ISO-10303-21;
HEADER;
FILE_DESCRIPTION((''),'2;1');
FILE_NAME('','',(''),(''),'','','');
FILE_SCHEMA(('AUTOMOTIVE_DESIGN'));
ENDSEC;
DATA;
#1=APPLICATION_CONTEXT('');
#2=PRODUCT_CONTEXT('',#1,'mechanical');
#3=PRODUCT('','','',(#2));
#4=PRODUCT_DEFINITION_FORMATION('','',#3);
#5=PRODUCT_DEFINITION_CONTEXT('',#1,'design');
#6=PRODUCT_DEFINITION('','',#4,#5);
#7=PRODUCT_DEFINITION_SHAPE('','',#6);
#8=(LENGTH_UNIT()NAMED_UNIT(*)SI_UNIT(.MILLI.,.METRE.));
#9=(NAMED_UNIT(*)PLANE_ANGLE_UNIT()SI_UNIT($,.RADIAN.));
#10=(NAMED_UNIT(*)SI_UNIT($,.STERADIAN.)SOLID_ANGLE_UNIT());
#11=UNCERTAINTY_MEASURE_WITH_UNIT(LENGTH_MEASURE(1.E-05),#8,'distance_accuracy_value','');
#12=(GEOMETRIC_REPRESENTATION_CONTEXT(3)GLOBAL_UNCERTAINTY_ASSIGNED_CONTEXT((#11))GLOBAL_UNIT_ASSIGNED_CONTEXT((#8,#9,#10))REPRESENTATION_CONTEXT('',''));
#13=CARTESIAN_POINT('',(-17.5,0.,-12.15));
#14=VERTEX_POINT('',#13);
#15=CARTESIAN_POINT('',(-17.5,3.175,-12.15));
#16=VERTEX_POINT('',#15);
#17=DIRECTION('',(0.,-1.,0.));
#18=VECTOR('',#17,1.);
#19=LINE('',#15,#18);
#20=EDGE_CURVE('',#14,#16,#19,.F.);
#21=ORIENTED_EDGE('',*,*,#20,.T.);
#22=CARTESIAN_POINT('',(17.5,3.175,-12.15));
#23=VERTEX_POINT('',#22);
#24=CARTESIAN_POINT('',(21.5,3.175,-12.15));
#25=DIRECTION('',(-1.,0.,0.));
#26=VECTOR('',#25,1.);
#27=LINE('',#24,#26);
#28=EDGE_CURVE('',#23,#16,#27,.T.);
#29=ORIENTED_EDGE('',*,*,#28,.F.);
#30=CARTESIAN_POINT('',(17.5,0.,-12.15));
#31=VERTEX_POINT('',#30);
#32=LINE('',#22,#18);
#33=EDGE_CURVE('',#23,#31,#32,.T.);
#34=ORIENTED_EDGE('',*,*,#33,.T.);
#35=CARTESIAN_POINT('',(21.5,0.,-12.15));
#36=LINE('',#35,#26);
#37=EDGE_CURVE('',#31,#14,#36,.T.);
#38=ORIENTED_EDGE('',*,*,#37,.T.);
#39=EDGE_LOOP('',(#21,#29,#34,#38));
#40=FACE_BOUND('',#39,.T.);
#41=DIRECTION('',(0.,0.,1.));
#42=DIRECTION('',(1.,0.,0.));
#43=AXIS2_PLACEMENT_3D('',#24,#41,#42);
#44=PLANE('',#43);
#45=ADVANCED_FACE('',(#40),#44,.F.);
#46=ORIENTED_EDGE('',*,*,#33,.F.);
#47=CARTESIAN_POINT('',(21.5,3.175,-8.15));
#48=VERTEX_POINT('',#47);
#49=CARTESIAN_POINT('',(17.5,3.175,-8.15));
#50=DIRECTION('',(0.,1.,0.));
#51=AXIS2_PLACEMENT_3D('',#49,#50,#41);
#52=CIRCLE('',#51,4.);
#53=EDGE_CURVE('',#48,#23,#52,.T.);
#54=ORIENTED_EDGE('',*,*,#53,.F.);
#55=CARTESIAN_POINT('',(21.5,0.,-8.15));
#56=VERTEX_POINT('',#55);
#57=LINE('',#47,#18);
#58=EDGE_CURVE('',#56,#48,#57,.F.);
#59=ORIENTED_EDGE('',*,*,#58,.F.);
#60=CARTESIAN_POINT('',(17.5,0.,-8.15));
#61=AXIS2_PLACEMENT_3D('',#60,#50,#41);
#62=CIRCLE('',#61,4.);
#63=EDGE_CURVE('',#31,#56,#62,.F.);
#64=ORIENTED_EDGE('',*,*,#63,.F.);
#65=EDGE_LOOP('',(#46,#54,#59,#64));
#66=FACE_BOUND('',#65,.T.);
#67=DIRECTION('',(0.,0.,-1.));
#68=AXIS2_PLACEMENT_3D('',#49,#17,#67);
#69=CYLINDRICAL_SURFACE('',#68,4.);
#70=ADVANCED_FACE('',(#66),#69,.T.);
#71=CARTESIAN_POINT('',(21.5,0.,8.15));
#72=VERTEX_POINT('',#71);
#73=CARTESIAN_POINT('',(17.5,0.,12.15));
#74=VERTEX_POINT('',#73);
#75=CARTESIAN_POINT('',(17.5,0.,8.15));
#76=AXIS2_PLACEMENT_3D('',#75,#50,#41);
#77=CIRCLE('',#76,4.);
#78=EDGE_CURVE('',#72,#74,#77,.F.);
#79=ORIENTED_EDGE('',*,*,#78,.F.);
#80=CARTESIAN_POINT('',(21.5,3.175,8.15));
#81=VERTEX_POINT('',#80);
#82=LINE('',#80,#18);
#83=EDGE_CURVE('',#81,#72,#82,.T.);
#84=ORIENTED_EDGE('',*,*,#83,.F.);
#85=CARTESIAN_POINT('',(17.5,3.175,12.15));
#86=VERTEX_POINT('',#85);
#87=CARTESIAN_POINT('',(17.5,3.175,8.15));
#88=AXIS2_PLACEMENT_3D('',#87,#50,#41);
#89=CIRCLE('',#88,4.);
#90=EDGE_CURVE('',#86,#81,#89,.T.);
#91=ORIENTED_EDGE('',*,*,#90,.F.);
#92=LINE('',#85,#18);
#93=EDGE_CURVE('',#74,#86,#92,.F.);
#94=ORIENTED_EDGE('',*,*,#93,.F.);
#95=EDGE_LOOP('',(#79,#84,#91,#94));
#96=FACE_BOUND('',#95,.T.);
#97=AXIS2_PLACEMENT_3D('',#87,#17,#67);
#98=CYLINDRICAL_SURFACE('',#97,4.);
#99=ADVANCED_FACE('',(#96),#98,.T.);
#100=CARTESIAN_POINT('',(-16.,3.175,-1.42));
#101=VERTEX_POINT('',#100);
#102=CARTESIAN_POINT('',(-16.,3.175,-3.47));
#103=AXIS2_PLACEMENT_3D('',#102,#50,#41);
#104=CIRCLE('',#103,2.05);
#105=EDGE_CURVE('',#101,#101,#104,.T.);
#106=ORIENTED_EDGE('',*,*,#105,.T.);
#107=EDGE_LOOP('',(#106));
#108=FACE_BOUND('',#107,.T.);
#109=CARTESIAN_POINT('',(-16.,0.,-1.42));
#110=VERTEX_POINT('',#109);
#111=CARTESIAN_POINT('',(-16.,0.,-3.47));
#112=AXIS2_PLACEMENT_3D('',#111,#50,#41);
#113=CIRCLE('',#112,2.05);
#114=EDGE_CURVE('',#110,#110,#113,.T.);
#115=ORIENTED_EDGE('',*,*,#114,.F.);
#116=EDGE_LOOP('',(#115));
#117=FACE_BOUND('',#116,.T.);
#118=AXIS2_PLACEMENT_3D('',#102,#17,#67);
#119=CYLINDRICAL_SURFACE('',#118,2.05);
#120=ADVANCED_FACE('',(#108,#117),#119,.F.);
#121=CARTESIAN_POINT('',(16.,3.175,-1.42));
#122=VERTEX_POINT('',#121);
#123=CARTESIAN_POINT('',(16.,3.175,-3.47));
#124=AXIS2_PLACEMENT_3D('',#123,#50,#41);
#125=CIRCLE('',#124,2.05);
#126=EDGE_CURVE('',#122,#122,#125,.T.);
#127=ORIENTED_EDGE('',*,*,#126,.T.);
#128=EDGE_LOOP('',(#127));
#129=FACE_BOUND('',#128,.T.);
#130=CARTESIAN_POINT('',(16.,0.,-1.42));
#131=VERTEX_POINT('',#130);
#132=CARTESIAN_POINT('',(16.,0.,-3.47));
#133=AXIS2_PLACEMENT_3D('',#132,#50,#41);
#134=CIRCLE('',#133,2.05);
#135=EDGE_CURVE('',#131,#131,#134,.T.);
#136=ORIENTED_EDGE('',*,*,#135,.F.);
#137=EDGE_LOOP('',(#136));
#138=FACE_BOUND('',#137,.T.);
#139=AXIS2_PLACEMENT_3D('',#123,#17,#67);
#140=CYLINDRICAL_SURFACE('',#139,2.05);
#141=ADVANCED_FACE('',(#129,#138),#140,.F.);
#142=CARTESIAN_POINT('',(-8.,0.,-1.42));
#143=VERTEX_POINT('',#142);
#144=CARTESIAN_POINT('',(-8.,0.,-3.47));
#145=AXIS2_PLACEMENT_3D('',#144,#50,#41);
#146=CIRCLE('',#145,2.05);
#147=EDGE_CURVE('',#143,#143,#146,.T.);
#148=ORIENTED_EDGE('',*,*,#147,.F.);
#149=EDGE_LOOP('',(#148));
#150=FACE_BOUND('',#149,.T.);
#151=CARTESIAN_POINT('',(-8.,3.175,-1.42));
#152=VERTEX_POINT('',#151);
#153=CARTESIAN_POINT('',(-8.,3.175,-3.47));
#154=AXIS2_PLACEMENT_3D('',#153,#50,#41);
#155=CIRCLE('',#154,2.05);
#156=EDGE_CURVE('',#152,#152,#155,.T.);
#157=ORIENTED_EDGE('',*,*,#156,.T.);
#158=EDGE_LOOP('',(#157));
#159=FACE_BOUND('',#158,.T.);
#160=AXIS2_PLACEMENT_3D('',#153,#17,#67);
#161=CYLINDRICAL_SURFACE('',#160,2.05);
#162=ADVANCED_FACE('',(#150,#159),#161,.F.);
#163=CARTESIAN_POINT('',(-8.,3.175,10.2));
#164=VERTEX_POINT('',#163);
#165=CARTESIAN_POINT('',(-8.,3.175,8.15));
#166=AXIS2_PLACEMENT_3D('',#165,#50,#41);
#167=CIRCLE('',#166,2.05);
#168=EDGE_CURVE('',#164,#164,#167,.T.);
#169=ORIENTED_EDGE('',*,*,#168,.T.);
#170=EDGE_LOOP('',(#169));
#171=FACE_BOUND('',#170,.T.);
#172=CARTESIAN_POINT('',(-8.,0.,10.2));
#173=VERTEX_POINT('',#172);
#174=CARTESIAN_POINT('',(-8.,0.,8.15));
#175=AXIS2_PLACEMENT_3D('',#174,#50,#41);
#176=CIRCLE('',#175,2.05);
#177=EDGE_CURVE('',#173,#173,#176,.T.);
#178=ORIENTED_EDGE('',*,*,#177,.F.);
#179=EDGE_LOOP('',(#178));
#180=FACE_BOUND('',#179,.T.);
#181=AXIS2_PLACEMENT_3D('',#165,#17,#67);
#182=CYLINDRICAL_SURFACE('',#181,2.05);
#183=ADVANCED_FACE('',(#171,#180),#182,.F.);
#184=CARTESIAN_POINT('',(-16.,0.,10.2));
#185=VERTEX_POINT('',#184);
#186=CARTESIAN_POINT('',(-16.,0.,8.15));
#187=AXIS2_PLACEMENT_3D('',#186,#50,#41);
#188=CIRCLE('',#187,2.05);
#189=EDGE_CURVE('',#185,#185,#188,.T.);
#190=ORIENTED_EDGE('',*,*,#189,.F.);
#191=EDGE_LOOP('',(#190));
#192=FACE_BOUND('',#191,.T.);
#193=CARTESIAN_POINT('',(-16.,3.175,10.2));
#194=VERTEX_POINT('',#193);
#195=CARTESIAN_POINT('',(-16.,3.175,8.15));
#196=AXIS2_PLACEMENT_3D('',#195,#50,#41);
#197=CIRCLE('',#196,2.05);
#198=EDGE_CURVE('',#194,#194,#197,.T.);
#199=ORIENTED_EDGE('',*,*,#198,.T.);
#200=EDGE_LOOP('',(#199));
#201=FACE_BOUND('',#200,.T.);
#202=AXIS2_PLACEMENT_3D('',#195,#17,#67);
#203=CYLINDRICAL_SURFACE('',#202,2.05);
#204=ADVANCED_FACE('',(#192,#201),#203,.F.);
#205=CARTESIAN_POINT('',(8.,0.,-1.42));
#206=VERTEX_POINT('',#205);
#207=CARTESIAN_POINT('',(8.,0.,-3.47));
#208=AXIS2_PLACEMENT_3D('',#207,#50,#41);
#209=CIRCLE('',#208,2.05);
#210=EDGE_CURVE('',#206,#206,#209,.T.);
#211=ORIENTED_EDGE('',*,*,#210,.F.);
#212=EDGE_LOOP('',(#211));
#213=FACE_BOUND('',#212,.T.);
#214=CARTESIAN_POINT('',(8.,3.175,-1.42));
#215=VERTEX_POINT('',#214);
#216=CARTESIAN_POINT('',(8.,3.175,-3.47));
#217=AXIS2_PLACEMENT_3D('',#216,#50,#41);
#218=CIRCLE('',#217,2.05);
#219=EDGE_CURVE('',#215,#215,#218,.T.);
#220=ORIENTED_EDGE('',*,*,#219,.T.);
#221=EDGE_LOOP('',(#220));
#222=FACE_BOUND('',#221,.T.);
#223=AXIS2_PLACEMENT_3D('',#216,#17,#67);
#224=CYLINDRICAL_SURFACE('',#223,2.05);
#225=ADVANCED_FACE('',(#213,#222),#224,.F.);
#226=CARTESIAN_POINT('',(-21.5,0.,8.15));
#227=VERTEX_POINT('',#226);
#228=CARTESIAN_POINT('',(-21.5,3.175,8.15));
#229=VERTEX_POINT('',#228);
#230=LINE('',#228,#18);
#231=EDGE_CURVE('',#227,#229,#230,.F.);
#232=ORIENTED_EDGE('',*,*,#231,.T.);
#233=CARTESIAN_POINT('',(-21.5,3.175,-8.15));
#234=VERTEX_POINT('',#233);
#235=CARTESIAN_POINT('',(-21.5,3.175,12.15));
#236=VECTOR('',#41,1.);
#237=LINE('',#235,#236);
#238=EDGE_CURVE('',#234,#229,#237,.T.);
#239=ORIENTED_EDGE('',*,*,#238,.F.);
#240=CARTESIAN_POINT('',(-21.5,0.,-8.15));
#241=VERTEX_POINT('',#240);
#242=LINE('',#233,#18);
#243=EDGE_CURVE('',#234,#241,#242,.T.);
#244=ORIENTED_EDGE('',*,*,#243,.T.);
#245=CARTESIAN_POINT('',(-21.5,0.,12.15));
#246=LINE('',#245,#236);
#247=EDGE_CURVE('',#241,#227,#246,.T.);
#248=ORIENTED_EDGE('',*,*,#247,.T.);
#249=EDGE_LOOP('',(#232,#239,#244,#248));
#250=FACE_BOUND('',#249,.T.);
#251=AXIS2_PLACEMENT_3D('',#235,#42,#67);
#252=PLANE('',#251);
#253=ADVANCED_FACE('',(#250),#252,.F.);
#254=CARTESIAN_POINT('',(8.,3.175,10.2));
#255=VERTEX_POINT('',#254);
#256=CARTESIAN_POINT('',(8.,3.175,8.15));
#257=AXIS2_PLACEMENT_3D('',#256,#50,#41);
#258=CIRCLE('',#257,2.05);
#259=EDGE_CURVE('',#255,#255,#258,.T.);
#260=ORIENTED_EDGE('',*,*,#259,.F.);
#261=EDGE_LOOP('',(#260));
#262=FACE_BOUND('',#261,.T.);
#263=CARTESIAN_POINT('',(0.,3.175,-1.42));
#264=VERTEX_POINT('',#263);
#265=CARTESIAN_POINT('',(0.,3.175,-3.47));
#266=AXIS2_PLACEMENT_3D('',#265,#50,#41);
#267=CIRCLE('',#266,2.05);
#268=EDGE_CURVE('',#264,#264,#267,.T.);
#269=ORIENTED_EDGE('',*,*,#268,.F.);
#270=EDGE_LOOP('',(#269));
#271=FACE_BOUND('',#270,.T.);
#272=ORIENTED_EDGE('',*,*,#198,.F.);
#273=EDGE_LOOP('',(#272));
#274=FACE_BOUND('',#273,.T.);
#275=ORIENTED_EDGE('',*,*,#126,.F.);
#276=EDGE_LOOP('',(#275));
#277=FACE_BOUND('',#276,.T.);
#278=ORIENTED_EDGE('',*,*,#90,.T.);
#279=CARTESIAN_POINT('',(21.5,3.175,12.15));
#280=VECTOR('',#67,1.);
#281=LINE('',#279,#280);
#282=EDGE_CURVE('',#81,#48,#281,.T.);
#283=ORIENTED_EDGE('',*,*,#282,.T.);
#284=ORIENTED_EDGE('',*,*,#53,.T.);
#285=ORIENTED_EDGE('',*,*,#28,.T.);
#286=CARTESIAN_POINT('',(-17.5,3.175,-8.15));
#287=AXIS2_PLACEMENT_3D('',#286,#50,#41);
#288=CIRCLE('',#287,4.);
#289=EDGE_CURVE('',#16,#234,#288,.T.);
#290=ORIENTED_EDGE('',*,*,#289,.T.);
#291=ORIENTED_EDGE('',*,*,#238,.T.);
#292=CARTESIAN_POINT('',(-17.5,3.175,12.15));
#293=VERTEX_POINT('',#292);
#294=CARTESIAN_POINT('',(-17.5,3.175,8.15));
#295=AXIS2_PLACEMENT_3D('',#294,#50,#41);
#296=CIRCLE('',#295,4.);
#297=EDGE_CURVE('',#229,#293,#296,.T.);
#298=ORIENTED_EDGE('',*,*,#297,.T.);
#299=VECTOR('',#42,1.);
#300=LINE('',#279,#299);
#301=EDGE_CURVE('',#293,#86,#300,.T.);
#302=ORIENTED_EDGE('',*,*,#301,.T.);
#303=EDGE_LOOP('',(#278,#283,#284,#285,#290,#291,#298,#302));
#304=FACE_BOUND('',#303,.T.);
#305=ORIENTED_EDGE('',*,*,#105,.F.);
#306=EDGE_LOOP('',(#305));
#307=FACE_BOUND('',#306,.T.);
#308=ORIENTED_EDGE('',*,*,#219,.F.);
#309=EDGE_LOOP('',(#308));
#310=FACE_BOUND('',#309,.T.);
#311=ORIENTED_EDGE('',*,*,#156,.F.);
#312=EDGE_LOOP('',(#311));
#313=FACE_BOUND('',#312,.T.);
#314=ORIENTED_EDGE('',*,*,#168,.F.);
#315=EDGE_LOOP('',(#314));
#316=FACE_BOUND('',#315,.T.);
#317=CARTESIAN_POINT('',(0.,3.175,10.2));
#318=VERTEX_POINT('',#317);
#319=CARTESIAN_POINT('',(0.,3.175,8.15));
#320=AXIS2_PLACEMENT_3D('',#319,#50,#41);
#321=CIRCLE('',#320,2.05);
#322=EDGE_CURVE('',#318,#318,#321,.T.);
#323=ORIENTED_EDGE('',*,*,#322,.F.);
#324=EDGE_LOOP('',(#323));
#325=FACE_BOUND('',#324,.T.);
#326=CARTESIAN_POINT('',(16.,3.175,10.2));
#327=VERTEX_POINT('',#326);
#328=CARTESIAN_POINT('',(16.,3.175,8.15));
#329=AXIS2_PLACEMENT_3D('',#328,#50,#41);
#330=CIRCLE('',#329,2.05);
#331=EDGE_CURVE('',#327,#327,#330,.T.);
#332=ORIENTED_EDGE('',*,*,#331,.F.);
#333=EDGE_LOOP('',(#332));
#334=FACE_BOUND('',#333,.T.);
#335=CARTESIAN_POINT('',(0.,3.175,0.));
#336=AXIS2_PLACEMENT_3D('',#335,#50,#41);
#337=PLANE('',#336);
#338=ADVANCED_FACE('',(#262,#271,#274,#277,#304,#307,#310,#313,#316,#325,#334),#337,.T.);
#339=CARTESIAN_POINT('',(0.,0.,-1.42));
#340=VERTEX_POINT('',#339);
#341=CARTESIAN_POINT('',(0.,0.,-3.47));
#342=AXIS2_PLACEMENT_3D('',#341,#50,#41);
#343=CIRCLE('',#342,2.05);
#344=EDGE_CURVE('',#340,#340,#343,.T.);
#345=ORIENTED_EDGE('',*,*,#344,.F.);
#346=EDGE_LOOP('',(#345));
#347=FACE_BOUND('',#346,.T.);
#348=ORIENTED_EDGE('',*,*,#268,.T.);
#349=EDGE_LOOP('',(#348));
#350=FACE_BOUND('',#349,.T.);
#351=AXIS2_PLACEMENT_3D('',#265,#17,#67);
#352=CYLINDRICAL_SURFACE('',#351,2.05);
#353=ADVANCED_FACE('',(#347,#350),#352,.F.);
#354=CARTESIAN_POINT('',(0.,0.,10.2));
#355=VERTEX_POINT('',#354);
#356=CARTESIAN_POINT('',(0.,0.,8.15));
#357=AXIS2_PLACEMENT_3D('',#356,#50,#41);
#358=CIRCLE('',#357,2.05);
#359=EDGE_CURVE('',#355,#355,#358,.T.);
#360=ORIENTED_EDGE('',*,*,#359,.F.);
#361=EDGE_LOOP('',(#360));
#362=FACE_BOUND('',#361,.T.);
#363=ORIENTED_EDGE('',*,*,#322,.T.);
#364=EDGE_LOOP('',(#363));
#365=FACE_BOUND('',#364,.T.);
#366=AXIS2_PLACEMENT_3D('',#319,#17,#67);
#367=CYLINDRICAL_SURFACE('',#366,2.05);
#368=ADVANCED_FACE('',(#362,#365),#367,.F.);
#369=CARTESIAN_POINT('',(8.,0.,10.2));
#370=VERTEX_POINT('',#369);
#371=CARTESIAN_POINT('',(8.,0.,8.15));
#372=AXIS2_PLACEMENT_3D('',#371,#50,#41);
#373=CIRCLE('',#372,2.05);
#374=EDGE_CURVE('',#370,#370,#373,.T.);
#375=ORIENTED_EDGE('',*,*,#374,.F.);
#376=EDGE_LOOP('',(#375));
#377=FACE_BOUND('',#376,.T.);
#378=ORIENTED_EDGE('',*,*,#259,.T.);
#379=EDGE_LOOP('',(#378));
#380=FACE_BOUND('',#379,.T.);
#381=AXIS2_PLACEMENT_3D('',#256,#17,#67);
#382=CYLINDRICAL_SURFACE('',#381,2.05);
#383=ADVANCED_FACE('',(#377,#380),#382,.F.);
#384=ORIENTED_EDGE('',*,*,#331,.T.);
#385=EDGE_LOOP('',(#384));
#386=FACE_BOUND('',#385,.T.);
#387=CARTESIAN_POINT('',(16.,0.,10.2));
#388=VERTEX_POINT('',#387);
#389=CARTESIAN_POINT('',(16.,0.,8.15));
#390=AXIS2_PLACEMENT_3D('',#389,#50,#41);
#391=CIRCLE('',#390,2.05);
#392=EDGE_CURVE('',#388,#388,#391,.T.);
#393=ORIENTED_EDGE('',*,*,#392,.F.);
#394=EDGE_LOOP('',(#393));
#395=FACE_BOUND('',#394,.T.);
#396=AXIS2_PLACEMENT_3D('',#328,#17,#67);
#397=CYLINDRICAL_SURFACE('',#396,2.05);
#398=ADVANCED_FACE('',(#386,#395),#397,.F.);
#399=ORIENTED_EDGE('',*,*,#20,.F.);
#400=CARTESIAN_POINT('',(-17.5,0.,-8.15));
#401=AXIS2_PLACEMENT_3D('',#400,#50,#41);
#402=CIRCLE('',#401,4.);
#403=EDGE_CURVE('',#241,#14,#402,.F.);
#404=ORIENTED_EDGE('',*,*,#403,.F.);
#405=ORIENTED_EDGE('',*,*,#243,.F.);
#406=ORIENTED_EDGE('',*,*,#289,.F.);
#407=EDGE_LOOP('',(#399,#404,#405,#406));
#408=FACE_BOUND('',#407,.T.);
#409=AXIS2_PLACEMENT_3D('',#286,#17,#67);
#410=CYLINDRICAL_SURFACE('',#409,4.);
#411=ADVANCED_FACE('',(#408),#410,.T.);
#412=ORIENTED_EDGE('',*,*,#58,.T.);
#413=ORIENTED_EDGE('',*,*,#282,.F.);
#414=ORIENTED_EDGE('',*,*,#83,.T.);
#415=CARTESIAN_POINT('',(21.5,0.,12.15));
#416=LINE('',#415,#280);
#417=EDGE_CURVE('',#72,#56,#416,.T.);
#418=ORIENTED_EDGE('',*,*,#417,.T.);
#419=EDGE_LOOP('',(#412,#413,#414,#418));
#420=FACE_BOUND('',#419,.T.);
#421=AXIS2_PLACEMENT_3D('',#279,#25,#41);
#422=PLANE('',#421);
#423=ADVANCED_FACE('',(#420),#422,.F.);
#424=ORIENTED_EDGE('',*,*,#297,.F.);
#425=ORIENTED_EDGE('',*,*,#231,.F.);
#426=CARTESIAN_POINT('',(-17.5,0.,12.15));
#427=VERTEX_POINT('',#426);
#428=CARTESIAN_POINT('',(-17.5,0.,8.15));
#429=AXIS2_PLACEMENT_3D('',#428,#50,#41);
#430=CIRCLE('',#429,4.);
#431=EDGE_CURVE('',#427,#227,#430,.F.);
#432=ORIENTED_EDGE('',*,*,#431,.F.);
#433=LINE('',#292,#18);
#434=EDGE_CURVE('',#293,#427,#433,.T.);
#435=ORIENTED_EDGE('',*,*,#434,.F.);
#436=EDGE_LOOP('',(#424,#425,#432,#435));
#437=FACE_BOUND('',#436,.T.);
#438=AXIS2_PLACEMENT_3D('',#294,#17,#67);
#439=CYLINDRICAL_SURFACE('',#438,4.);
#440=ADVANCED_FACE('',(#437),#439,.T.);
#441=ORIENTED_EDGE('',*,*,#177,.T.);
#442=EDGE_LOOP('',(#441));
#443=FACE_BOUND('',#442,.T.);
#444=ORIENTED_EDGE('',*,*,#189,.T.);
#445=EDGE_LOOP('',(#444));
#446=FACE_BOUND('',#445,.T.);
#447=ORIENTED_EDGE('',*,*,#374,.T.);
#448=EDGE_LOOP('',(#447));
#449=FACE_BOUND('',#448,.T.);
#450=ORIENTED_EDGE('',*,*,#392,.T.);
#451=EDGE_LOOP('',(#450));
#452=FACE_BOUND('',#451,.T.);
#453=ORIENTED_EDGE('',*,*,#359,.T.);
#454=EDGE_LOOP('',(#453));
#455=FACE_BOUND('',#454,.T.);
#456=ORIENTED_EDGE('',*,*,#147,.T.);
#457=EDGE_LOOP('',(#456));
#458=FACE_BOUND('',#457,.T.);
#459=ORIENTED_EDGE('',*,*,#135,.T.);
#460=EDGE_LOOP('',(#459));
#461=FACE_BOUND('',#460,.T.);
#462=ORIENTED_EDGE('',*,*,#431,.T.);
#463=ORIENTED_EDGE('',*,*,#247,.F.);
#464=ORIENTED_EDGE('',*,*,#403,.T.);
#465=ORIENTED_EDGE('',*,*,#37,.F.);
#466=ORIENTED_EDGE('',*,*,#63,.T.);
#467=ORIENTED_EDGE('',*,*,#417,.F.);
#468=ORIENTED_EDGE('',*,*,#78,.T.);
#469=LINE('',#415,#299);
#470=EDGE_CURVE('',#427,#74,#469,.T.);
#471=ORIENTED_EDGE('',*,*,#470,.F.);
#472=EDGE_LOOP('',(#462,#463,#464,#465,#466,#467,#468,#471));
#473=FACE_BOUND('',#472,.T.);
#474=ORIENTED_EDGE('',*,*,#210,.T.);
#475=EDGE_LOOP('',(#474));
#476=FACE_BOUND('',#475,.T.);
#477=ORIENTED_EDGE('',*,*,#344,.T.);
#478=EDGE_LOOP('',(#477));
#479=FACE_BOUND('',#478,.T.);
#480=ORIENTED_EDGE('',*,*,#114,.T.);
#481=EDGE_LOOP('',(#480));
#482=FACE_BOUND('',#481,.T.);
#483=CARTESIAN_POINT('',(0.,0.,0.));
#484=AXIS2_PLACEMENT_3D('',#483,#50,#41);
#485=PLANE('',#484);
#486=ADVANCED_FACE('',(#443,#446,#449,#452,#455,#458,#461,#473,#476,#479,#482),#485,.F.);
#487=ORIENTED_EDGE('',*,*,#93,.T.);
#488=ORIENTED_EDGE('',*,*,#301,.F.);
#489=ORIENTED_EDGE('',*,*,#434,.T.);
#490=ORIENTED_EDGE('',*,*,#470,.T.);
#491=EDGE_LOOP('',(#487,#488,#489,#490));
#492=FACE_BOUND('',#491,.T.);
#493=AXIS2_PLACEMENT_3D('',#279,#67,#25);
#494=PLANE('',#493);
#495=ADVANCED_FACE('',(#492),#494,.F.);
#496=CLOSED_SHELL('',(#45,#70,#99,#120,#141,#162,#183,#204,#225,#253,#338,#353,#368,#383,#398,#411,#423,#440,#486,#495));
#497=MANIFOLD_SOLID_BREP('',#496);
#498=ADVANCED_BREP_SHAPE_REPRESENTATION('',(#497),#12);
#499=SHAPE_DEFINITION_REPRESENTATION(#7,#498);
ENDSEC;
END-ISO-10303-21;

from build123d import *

# Parameters (mm, degrees)
SKETCH1_W           = 43
SKETCH1_H           = 24.3
SKETCH1_R           = 2.05
BOSS_EXTRUDE1_DEPTH = 3.175
FILLET1_R           = 4


with BuildPart() as part:
    # Sketch1 → Boss-Extrude1 (new body)
    with BuildSketch(Plane(origin=(0, 0, 0), x_dir=(1, 0, 0), z_dir=(0, 1, 0))):
        Rectangle(SKETCH1_W, SKETCH1_H)
        with Locations(Location((-16, -8.15, 0), (0, 0, 270))):
            Circle(SKETCH1_R, mode=Mode.SUBTRACT)
        with Locations(Location((-8, -8.15, 0), (0, 0, 270))):
            Circle(SKETCH1_R, mode=Mode.SUBTRACT)
        with Locations(Location((0, -8.15, 0), (0, 0, 270))):
            Circle(SKETCH1_R, mode=Mode.SUBTRACT)
        with Locations(Location((8, -8.15, 0), (0, 0, 270))):
            Circle(SKETCH1_R, mode=Mode.SUBTRACT)
        with Locations(Location((16, -8.15, 0), (0, 0, 270))):
            Circle(SKETCH1_R, mode=Mode.SUBTRACT)
        with Locations(Location((-16, 3.47, 0), (0, 0, 270))):
            Circle(SKETCH1_R, mode=Mode.SUBTRACT)
        with Locations(Location((-8, 3.47, 0), (0, 0, 270))):
            Circle(SKETCH1_R, mode=Mode.SUBTRACT)
        with Locations(Location((0, 3.47, 0), (0, 0, 270))):
            Circle(SKETCH1_R, mode=Mode.SUBTRACT)
        with Locations(Location((8, 3.47, 0), (0, 0, 270))):
            Circle(SKETCH1_R, mode=Mode.SUBTRACT)
        with Locations(Location((16, 3.47, 0), (0, 0, 270))):
            Circle(SKETCH1_R, mode=Mode.SUBTRACT)
    extrude(amount=BOSS_EXTRUDE1_DEPTH)

    # Fillet1
    fillet1_edges = [part.edges().sort_by_distance(p)[0] for p in [
        (-21.5, 1.5875, -12.15),
        (21.5, 1.5875, -12.15),
        (21.5, 1.5875, 12.15),
        (-21.5, 1.5875, 12.15),
    ]]
    fillet(fillet1_edges, radius=FILLET1_R)


solid = part.part
